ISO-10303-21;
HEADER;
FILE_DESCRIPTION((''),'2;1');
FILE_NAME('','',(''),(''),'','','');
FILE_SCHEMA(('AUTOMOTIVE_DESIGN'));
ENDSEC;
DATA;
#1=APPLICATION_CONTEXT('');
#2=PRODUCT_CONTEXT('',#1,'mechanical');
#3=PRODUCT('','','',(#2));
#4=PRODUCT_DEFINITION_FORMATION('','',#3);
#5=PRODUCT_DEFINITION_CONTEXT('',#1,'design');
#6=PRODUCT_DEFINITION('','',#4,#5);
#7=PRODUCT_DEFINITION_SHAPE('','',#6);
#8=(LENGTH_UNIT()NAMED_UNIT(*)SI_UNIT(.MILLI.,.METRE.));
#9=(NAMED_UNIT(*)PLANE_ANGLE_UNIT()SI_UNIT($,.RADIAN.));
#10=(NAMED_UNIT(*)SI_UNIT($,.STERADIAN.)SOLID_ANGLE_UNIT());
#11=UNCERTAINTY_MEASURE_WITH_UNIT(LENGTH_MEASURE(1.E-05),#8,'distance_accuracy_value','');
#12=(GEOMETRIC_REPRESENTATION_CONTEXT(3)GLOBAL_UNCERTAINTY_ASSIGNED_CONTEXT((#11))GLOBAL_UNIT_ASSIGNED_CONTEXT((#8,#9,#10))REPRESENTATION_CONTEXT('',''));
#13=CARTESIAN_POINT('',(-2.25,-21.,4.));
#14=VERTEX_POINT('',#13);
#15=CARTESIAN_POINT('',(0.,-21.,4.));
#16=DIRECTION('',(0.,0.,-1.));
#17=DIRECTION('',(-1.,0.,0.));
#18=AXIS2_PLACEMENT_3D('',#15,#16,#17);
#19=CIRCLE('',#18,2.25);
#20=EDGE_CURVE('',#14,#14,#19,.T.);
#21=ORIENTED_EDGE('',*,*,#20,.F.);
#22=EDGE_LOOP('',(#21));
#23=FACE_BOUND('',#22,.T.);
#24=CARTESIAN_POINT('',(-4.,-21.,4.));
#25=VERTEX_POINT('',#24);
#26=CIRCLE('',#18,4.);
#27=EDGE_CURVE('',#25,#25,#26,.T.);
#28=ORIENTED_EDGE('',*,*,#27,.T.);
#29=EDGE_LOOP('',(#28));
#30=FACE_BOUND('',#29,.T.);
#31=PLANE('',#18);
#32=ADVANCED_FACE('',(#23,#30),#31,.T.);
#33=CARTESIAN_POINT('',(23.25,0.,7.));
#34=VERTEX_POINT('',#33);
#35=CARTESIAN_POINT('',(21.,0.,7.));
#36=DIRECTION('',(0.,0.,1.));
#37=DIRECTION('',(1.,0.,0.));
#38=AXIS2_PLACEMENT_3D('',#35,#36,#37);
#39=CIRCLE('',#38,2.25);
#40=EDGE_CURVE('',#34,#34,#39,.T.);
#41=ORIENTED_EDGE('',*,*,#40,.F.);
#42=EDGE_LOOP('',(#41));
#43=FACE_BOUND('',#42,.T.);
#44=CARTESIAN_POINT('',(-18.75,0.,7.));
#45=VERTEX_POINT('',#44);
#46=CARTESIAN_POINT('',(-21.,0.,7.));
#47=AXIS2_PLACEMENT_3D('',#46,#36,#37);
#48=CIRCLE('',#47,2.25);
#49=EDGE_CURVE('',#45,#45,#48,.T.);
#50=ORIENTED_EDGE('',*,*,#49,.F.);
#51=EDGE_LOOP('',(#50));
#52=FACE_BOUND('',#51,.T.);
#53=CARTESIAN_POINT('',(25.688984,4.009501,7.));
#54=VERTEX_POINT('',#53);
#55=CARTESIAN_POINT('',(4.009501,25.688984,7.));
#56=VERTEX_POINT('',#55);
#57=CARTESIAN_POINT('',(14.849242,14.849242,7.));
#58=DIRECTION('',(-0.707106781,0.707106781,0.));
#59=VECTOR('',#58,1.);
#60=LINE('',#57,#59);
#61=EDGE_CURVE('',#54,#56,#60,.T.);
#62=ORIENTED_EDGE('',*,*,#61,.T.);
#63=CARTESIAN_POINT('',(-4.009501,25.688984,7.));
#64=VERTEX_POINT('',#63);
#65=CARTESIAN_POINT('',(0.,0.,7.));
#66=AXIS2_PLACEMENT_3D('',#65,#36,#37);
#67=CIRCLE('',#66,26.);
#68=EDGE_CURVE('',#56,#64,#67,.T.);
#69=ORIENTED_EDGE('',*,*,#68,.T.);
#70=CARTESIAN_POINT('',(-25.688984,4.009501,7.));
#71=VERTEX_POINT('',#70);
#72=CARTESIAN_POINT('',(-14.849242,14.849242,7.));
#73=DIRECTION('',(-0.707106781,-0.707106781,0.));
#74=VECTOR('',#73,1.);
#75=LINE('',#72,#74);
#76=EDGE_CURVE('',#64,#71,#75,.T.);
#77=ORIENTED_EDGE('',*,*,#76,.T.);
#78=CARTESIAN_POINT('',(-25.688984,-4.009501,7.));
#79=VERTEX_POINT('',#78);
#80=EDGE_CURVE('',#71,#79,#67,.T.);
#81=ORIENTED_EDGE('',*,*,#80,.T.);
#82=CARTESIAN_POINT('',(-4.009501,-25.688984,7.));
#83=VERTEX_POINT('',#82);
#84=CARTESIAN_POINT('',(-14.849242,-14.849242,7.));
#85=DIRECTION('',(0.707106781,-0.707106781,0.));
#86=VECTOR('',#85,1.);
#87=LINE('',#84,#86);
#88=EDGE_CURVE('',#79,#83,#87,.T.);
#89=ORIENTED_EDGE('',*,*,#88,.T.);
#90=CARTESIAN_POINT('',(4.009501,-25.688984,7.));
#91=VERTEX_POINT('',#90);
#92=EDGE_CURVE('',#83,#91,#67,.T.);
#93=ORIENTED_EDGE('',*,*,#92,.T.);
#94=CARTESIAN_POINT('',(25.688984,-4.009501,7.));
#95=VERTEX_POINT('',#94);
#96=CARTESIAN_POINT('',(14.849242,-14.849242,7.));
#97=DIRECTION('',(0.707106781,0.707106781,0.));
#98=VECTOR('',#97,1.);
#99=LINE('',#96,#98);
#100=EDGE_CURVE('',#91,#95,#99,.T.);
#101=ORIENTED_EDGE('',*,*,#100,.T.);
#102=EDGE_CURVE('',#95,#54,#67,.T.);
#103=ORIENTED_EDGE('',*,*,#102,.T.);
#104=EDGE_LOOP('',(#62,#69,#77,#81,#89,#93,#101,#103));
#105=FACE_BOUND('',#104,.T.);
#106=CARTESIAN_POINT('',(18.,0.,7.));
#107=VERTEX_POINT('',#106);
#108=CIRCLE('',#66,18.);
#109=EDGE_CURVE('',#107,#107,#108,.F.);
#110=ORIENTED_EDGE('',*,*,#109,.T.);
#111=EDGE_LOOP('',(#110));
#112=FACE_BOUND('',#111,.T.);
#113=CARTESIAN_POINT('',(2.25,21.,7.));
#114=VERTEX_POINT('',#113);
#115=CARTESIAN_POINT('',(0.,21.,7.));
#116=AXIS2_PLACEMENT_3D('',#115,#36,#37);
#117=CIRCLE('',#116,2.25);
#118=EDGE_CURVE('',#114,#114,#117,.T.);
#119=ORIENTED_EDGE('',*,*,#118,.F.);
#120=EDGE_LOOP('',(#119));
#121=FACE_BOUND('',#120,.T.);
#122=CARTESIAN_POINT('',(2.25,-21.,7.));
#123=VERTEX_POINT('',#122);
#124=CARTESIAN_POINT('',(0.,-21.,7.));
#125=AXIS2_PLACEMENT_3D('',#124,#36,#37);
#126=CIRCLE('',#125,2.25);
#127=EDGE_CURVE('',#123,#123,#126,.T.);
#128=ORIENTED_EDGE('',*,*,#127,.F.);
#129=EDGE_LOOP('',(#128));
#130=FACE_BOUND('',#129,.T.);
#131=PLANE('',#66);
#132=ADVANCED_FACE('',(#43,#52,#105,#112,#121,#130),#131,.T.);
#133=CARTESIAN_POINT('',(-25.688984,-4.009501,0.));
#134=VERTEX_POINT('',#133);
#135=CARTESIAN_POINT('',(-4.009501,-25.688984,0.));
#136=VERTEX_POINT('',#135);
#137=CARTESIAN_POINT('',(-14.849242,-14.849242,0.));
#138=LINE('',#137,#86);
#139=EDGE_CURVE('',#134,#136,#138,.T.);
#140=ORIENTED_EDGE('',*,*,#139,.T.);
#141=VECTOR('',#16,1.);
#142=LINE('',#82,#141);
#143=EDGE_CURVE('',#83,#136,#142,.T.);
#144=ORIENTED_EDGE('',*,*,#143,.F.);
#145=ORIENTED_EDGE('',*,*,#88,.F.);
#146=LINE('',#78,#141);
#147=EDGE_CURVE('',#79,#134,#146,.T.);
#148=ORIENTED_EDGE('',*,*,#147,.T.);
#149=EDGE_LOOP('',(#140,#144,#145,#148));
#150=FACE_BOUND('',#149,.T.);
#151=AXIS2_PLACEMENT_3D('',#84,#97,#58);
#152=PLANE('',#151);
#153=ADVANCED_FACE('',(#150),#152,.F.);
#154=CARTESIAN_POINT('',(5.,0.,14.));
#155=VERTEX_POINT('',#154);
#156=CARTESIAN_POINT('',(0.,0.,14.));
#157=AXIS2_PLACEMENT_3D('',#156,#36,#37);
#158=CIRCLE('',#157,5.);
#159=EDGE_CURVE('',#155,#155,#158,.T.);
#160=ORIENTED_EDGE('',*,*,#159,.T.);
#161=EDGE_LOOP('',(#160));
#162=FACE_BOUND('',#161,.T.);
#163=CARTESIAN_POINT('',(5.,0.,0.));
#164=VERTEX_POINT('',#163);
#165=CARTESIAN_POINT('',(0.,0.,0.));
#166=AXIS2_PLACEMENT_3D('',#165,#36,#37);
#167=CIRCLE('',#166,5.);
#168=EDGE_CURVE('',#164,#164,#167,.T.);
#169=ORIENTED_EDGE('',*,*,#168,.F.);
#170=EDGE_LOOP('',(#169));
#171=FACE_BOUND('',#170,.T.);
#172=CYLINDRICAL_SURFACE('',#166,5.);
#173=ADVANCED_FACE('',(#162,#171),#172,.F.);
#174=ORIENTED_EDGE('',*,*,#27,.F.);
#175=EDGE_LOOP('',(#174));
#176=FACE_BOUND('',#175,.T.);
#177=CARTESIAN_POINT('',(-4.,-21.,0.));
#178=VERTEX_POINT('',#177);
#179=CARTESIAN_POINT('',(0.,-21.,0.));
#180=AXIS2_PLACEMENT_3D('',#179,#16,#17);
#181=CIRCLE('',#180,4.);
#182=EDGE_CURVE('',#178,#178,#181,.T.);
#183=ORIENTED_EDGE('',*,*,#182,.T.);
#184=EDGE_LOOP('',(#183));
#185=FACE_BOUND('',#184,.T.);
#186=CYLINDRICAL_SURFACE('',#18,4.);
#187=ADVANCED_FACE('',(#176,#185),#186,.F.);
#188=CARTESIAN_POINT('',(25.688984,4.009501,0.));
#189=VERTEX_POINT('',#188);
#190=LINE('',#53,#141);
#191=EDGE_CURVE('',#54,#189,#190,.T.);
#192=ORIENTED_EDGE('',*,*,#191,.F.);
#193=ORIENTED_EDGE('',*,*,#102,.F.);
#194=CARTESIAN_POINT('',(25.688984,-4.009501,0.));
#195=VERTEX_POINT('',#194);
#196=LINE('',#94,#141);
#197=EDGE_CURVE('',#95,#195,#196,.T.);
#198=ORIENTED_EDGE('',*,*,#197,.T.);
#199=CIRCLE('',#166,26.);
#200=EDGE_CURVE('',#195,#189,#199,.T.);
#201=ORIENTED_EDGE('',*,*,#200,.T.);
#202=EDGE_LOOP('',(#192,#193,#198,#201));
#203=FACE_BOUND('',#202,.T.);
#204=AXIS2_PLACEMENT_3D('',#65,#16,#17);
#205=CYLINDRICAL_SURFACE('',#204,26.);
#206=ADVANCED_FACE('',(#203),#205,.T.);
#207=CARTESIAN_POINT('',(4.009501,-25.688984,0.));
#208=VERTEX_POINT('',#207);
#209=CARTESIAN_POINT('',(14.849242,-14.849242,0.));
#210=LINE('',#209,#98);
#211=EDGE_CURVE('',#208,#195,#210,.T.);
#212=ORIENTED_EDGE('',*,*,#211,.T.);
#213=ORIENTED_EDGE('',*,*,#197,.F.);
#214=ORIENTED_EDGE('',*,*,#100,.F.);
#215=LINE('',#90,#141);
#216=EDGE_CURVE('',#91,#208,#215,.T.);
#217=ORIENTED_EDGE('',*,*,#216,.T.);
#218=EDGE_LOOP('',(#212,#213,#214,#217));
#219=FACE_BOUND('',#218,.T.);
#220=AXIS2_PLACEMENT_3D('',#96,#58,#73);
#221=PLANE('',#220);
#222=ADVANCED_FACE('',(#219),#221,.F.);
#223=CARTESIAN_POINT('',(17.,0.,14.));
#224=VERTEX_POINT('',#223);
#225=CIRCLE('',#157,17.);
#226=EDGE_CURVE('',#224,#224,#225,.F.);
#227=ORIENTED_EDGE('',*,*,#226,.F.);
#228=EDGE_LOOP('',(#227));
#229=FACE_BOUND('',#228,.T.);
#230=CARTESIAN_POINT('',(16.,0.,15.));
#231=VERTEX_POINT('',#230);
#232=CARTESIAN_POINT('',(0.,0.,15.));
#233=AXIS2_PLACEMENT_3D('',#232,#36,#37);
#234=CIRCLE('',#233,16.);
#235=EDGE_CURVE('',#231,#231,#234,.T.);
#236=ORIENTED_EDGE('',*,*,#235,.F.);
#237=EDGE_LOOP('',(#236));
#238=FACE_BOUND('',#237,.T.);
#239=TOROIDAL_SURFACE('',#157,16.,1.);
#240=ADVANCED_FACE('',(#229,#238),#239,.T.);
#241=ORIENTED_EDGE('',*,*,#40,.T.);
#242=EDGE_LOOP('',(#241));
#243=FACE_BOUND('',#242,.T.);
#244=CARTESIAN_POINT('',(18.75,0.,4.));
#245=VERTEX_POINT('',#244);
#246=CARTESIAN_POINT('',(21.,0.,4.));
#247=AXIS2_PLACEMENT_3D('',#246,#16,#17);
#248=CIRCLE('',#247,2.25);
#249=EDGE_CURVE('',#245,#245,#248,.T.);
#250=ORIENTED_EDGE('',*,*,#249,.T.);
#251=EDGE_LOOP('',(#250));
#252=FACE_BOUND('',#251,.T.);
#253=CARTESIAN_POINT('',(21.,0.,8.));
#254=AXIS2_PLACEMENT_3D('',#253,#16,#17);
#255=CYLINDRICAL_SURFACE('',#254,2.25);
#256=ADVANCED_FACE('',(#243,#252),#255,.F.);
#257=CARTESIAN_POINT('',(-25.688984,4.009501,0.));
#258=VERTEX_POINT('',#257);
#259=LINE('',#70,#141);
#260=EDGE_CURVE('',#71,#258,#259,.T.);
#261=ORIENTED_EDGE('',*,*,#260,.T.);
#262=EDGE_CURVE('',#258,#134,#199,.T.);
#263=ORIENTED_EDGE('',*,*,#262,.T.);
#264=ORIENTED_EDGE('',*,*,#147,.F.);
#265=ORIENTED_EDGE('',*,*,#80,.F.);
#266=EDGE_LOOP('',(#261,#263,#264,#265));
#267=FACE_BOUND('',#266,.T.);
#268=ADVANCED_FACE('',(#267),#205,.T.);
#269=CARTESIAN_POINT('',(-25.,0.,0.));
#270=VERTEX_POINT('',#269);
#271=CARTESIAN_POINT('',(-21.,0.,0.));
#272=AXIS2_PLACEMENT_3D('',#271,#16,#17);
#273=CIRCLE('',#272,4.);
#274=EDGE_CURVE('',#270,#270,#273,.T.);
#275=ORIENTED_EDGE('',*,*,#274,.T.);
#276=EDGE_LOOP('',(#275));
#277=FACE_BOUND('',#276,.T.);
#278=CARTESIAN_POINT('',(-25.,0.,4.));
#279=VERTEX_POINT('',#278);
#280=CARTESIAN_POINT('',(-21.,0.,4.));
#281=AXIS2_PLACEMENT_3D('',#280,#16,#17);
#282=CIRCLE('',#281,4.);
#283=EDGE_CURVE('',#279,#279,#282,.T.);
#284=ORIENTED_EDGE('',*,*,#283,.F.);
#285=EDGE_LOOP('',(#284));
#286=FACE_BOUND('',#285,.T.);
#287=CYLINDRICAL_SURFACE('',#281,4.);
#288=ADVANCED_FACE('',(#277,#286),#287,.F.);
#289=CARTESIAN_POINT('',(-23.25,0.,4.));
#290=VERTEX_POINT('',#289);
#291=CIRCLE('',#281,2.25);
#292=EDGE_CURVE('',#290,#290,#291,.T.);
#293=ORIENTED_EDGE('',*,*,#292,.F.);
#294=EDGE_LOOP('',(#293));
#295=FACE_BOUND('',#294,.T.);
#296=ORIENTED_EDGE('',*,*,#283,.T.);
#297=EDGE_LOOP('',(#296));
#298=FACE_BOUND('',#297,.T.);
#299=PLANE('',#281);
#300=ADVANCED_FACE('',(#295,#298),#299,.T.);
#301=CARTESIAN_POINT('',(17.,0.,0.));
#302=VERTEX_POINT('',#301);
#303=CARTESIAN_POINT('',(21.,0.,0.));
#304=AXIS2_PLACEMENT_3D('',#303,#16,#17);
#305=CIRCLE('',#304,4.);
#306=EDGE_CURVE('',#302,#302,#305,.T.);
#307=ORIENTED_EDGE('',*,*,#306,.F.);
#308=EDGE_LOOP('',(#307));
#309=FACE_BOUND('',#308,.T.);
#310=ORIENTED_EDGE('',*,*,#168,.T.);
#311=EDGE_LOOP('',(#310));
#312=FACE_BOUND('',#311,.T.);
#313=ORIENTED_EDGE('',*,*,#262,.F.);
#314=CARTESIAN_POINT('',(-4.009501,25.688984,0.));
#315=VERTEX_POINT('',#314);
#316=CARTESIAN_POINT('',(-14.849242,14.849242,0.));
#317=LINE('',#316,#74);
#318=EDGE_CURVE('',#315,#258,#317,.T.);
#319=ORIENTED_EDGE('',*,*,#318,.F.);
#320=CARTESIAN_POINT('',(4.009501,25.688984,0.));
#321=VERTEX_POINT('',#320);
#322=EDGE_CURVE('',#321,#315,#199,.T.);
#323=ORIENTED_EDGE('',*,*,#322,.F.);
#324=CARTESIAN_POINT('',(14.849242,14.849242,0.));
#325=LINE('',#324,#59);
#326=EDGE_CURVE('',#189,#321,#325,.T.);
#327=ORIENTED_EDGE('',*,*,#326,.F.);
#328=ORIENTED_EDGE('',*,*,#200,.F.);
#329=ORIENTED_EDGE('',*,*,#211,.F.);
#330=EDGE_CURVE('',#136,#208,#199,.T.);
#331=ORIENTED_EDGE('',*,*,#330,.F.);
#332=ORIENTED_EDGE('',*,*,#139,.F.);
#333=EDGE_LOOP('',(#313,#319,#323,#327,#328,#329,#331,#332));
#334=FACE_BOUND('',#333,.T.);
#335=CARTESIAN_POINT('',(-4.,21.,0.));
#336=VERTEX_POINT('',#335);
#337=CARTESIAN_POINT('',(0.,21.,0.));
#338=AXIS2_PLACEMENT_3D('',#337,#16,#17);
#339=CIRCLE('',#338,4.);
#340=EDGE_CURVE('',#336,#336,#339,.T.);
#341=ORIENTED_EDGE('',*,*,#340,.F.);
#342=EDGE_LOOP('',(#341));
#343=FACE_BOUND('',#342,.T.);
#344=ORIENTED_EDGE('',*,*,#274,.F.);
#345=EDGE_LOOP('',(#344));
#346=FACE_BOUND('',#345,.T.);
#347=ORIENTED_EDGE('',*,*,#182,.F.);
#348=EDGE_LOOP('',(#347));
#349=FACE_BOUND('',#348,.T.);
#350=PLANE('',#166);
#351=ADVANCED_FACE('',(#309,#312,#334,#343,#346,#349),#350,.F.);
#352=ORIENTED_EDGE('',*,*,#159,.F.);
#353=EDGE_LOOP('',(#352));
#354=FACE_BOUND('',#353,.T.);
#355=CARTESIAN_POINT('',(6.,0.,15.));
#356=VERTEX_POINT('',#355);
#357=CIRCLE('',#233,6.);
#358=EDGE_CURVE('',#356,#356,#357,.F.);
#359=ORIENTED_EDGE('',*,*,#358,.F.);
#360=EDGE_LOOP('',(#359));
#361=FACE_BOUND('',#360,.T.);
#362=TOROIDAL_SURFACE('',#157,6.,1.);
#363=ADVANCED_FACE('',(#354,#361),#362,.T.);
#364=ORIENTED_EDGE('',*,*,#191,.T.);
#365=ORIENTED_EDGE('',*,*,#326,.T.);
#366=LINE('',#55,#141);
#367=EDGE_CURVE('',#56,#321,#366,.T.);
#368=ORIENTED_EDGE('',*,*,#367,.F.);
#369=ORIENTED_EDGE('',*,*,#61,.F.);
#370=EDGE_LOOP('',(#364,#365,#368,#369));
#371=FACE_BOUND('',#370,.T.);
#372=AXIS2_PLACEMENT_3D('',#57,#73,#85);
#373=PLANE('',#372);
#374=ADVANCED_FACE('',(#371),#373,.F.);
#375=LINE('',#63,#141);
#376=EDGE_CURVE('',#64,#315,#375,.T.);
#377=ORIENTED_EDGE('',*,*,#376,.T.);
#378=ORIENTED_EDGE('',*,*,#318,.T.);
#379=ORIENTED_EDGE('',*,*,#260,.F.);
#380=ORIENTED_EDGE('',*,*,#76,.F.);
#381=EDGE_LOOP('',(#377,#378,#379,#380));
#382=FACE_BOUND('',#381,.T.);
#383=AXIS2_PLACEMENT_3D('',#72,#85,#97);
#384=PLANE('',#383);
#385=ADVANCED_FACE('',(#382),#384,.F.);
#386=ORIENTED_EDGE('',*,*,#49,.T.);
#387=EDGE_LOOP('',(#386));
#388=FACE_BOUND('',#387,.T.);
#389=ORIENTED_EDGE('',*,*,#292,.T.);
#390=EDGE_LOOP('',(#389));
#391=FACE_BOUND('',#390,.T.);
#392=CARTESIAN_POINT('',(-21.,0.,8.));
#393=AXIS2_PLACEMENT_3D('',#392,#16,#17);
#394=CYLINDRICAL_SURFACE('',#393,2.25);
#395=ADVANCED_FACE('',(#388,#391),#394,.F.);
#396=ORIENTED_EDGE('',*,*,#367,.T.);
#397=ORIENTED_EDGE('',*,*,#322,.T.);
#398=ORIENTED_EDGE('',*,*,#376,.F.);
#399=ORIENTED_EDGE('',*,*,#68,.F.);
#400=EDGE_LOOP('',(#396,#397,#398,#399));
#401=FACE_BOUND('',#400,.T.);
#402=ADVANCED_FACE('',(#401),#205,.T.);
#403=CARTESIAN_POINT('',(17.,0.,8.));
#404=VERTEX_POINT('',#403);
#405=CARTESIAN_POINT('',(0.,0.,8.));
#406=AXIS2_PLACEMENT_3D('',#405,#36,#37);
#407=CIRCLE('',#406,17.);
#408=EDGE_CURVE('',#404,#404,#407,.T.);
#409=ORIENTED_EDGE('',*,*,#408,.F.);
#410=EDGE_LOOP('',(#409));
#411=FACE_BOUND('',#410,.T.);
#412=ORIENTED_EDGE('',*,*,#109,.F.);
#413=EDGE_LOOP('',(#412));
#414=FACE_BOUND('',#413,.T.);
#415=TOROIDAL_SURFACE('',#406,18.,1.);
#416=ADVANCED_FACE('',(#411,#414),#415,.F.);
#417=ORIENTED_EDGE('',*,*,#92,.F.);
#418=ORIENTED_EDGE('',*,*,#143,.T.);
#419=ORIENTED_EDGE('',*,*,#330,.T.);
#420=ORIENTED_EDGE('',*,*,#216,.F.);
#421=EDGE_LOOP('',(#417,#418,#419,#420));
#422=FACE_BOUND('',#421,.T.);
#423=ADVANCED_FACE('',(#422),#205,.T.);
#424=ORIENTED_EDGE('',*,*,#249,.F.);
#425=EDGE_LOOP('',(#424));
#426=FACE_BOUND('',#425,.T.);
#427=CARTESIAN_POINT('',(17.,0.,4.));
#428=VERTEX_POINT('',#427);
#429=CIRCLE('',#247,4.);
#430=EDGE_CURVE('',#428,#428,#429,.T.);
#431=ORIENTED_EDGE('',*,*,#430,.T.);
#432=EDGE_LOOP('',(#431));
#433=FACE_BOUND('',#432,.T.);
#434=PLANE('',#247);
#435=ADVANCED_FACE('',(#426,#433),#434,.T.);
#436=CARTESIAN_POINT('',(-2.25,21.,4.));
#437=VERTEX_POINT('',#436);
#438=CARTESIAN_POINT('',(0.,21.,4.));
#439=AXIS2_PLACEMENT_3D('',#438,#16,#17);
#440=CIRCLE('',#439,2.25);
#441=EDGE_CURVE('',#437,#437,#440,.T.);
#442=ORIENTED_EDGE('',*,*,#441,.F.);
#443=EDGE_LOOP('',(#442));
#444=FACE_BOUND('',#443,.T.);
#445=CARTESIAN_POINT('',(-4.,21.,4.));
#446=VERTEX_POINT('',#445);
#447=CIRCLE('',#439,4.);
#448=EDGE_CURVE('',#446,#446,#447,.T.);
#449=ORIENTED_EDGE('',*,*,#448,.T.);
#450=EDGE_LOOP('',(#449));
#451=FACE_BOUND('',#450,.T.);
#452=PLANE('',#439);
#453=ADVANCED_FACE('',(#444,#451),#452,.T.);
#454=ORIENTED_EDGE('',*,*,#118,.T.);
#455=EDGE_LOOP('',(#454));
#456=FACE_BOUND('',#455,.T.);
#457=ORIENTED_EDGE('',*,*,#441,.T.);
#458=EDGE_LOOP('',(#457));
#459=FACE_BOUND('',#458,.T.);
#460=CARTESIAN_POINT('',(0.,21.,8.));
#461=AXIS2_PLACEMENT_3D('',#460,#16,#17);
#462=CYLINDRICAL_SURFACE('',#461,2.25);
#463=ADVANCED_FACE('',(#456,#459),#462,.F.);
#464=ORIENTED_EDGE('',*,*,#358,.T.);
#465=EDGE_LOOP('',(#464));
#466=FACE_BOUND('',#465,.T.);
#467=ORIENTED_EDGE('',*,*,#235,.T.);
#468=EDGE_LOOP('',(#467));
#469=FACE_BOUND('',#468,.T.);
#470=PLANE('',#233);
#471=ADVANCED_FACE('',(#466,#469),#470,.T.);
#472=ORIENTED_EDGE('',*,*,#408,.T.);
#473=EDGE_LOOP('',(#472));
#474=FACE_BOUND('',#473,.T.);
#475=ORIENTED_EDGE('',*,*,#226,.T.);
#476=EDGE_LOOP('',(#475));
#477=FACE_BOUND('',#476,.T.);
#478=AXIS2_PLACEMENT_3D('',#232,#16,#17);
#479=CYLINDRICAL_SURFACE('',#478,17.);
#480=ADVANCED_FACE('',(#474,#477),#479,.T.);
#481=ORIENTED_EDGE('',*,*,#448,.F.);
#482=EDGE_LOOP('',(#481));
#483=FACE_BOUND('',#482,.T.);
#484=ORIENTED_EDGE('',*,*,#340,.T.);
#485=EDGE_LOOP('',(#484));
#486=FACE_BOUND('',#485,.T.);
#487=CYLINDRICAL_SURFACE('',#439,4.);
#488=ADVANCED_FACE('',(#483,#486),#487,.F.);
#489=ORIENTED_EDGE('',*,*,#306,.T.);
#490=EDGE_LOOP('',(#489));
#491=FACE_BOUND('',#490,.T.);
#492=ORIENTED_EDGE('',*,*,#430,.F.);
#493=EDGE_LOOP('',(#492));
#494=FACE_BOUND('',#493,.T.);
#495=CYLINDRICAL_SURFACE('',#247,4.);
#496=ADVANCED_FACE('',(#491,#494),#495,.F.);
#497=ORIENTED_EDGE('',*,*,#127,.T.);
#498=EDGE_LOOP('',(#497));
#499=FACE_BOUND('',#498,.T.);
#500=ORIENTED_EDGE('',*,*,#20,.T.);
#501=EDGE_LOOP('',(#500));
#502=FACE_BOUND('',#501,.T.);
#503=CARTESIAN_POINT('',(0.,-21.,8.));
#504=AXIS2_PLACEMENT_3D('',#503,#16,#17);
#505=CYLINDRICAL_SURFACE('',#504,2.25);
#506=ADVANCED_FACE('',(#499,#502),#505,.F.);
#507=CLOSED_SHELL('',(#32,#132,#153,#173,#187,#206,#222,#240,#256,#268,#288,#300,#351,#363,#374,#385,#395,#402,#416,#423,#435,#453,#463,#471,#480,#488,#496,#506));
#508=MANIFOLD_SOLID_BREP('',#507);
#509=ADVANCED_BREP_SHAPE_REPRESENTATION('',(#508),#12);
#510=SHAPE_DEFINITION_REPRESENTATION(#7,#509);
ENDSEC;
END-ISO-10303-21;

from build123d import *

# Parameters (mm, degrees)
BOSS_EXTRUDE1_DEPTH = 7
SKETCH2_R           = 4
CUT_EXTRUDE1_DEPTH  = 4
SKETCH3_R           = 2.25
CUT_EXTRUDE2_DEPTH  = 4
SKETCH4_R           = 17
BOSS_EXTRUDE2_DEPTH = 8
SKETCH5_R           = 5
CUT_EXTRUDE3_DEPTH  = 15
FILLET3_R           = 1


with BuildPart() as part:
    # Sketch1 → Boss-Extrude1 (new body)
    with BuildSketch(Plane.XY):
        with BuildLine():
            Line((-14.849242405, -14.849242405), (-25.688984099, -4.009500711))
            ThreePointArc((-25.688984099, -4.009500711), (-26, 0), (-25.688984099, 4.009500711))
            Line((-25.688984099, 4.009500711), (-14.849242405, 14.849242405))
            Line((-14.849242405, 14.849242405), (-4.009500711, 25.688984099))
            ThreePointArc((-4.009500711, 25.688984099), (0, 26), (4.009500711, 25.688984099))
            Line((4.009500711, 25.688984099), (14.849242405, 14.849242405))
            Line((14.849242405, 14.849242405), (25.688984099, 4.009500711))
            ThreePointArc((25.688984099, 4.009500711), (26, 0), (25.688984099, -4.009500711))
            Line((25.688984099, -4.009500711), (14.849242405, -14.849242405))
            Line((14.849242405, -14.849242405), (4.009500711, -25.688984099))
            ThreePointArc((4.009500711, -25.688984099), (0, -26), (-4.009500711, -25.688984099))
            Line((-4.009500711, -25.688984099), (-14.849242405, -14.849242405))
        make_face()
    extrude(amount=BOSS_EXTRUDE1_DEPTH)

    # Sketch2 → Cut-Extrude1 (cut)
    with BuildSketch(Plane(origin=(0, 0, 0), x_dir=(-1, 0, 0), z_dir=(0, 0, -1))):
        with Locations((0, 21)):
            Circle(SKETCH2_R)
        with Locations((-21, 0)):
            Circle(SKETCH2_R)
        with Locations((0, -21)):
            Circle(SKETCH2_R)
        with Locations((21, 0)):
            Circle(SKETCH2_R)
    extrude(amount=-CUT_EXTRUDE1_DEPTH, mode=Mode.SUBTRACT)

    # Sketch3 → Cut-Extrude2 (cut)
    with BuildSketch(Plane(origin=(0, 0, 4), x_dir=(-1, 0, 0), z_dir=(0, 0, -1))):
        with Locations((0, 21)):
            Circle(SKETCH3_R)
        with Locations((-21, 0)):
            Circle(SKETCH3_R)
        with Locations((21, 0)):
            Circle(SKETCH3_R)
        with Locations((0, -21)):
            Circle(SKETCH3_R)
    extrude(amount=-CUT_EXTRUDE2_DEPTH, mode=Mode.SUBTRACT)

    # Sketch4 → Boss-Extrude2 (add)
    with BuildSketch(Plane.XY.offset(7)):
        Circle(SKETCH4_R)
    extrude(amount=BOSS_EXTRUDE2_DEPTH)

    # Sketch5 → Cut-Extrude3 (cut)
    with BuildSketch(Plane.XY.offset(15)):
        Circle(SKETCH5_R)
    extrude(amount=-CUT_EXTRUDE3_DEPTH, mode=Mode.SUBTRACT)

    # Fillet3
    fillet3_edges = [part.edges().sort_by_distance(p)[0] for p in [
        (-17, 0, 7),
        (-17, 0, 15),
        (-5, 0, 15),
    ]]
    fillet(fillet3_edges, radius=FILLET3_R)


solid = part.part
